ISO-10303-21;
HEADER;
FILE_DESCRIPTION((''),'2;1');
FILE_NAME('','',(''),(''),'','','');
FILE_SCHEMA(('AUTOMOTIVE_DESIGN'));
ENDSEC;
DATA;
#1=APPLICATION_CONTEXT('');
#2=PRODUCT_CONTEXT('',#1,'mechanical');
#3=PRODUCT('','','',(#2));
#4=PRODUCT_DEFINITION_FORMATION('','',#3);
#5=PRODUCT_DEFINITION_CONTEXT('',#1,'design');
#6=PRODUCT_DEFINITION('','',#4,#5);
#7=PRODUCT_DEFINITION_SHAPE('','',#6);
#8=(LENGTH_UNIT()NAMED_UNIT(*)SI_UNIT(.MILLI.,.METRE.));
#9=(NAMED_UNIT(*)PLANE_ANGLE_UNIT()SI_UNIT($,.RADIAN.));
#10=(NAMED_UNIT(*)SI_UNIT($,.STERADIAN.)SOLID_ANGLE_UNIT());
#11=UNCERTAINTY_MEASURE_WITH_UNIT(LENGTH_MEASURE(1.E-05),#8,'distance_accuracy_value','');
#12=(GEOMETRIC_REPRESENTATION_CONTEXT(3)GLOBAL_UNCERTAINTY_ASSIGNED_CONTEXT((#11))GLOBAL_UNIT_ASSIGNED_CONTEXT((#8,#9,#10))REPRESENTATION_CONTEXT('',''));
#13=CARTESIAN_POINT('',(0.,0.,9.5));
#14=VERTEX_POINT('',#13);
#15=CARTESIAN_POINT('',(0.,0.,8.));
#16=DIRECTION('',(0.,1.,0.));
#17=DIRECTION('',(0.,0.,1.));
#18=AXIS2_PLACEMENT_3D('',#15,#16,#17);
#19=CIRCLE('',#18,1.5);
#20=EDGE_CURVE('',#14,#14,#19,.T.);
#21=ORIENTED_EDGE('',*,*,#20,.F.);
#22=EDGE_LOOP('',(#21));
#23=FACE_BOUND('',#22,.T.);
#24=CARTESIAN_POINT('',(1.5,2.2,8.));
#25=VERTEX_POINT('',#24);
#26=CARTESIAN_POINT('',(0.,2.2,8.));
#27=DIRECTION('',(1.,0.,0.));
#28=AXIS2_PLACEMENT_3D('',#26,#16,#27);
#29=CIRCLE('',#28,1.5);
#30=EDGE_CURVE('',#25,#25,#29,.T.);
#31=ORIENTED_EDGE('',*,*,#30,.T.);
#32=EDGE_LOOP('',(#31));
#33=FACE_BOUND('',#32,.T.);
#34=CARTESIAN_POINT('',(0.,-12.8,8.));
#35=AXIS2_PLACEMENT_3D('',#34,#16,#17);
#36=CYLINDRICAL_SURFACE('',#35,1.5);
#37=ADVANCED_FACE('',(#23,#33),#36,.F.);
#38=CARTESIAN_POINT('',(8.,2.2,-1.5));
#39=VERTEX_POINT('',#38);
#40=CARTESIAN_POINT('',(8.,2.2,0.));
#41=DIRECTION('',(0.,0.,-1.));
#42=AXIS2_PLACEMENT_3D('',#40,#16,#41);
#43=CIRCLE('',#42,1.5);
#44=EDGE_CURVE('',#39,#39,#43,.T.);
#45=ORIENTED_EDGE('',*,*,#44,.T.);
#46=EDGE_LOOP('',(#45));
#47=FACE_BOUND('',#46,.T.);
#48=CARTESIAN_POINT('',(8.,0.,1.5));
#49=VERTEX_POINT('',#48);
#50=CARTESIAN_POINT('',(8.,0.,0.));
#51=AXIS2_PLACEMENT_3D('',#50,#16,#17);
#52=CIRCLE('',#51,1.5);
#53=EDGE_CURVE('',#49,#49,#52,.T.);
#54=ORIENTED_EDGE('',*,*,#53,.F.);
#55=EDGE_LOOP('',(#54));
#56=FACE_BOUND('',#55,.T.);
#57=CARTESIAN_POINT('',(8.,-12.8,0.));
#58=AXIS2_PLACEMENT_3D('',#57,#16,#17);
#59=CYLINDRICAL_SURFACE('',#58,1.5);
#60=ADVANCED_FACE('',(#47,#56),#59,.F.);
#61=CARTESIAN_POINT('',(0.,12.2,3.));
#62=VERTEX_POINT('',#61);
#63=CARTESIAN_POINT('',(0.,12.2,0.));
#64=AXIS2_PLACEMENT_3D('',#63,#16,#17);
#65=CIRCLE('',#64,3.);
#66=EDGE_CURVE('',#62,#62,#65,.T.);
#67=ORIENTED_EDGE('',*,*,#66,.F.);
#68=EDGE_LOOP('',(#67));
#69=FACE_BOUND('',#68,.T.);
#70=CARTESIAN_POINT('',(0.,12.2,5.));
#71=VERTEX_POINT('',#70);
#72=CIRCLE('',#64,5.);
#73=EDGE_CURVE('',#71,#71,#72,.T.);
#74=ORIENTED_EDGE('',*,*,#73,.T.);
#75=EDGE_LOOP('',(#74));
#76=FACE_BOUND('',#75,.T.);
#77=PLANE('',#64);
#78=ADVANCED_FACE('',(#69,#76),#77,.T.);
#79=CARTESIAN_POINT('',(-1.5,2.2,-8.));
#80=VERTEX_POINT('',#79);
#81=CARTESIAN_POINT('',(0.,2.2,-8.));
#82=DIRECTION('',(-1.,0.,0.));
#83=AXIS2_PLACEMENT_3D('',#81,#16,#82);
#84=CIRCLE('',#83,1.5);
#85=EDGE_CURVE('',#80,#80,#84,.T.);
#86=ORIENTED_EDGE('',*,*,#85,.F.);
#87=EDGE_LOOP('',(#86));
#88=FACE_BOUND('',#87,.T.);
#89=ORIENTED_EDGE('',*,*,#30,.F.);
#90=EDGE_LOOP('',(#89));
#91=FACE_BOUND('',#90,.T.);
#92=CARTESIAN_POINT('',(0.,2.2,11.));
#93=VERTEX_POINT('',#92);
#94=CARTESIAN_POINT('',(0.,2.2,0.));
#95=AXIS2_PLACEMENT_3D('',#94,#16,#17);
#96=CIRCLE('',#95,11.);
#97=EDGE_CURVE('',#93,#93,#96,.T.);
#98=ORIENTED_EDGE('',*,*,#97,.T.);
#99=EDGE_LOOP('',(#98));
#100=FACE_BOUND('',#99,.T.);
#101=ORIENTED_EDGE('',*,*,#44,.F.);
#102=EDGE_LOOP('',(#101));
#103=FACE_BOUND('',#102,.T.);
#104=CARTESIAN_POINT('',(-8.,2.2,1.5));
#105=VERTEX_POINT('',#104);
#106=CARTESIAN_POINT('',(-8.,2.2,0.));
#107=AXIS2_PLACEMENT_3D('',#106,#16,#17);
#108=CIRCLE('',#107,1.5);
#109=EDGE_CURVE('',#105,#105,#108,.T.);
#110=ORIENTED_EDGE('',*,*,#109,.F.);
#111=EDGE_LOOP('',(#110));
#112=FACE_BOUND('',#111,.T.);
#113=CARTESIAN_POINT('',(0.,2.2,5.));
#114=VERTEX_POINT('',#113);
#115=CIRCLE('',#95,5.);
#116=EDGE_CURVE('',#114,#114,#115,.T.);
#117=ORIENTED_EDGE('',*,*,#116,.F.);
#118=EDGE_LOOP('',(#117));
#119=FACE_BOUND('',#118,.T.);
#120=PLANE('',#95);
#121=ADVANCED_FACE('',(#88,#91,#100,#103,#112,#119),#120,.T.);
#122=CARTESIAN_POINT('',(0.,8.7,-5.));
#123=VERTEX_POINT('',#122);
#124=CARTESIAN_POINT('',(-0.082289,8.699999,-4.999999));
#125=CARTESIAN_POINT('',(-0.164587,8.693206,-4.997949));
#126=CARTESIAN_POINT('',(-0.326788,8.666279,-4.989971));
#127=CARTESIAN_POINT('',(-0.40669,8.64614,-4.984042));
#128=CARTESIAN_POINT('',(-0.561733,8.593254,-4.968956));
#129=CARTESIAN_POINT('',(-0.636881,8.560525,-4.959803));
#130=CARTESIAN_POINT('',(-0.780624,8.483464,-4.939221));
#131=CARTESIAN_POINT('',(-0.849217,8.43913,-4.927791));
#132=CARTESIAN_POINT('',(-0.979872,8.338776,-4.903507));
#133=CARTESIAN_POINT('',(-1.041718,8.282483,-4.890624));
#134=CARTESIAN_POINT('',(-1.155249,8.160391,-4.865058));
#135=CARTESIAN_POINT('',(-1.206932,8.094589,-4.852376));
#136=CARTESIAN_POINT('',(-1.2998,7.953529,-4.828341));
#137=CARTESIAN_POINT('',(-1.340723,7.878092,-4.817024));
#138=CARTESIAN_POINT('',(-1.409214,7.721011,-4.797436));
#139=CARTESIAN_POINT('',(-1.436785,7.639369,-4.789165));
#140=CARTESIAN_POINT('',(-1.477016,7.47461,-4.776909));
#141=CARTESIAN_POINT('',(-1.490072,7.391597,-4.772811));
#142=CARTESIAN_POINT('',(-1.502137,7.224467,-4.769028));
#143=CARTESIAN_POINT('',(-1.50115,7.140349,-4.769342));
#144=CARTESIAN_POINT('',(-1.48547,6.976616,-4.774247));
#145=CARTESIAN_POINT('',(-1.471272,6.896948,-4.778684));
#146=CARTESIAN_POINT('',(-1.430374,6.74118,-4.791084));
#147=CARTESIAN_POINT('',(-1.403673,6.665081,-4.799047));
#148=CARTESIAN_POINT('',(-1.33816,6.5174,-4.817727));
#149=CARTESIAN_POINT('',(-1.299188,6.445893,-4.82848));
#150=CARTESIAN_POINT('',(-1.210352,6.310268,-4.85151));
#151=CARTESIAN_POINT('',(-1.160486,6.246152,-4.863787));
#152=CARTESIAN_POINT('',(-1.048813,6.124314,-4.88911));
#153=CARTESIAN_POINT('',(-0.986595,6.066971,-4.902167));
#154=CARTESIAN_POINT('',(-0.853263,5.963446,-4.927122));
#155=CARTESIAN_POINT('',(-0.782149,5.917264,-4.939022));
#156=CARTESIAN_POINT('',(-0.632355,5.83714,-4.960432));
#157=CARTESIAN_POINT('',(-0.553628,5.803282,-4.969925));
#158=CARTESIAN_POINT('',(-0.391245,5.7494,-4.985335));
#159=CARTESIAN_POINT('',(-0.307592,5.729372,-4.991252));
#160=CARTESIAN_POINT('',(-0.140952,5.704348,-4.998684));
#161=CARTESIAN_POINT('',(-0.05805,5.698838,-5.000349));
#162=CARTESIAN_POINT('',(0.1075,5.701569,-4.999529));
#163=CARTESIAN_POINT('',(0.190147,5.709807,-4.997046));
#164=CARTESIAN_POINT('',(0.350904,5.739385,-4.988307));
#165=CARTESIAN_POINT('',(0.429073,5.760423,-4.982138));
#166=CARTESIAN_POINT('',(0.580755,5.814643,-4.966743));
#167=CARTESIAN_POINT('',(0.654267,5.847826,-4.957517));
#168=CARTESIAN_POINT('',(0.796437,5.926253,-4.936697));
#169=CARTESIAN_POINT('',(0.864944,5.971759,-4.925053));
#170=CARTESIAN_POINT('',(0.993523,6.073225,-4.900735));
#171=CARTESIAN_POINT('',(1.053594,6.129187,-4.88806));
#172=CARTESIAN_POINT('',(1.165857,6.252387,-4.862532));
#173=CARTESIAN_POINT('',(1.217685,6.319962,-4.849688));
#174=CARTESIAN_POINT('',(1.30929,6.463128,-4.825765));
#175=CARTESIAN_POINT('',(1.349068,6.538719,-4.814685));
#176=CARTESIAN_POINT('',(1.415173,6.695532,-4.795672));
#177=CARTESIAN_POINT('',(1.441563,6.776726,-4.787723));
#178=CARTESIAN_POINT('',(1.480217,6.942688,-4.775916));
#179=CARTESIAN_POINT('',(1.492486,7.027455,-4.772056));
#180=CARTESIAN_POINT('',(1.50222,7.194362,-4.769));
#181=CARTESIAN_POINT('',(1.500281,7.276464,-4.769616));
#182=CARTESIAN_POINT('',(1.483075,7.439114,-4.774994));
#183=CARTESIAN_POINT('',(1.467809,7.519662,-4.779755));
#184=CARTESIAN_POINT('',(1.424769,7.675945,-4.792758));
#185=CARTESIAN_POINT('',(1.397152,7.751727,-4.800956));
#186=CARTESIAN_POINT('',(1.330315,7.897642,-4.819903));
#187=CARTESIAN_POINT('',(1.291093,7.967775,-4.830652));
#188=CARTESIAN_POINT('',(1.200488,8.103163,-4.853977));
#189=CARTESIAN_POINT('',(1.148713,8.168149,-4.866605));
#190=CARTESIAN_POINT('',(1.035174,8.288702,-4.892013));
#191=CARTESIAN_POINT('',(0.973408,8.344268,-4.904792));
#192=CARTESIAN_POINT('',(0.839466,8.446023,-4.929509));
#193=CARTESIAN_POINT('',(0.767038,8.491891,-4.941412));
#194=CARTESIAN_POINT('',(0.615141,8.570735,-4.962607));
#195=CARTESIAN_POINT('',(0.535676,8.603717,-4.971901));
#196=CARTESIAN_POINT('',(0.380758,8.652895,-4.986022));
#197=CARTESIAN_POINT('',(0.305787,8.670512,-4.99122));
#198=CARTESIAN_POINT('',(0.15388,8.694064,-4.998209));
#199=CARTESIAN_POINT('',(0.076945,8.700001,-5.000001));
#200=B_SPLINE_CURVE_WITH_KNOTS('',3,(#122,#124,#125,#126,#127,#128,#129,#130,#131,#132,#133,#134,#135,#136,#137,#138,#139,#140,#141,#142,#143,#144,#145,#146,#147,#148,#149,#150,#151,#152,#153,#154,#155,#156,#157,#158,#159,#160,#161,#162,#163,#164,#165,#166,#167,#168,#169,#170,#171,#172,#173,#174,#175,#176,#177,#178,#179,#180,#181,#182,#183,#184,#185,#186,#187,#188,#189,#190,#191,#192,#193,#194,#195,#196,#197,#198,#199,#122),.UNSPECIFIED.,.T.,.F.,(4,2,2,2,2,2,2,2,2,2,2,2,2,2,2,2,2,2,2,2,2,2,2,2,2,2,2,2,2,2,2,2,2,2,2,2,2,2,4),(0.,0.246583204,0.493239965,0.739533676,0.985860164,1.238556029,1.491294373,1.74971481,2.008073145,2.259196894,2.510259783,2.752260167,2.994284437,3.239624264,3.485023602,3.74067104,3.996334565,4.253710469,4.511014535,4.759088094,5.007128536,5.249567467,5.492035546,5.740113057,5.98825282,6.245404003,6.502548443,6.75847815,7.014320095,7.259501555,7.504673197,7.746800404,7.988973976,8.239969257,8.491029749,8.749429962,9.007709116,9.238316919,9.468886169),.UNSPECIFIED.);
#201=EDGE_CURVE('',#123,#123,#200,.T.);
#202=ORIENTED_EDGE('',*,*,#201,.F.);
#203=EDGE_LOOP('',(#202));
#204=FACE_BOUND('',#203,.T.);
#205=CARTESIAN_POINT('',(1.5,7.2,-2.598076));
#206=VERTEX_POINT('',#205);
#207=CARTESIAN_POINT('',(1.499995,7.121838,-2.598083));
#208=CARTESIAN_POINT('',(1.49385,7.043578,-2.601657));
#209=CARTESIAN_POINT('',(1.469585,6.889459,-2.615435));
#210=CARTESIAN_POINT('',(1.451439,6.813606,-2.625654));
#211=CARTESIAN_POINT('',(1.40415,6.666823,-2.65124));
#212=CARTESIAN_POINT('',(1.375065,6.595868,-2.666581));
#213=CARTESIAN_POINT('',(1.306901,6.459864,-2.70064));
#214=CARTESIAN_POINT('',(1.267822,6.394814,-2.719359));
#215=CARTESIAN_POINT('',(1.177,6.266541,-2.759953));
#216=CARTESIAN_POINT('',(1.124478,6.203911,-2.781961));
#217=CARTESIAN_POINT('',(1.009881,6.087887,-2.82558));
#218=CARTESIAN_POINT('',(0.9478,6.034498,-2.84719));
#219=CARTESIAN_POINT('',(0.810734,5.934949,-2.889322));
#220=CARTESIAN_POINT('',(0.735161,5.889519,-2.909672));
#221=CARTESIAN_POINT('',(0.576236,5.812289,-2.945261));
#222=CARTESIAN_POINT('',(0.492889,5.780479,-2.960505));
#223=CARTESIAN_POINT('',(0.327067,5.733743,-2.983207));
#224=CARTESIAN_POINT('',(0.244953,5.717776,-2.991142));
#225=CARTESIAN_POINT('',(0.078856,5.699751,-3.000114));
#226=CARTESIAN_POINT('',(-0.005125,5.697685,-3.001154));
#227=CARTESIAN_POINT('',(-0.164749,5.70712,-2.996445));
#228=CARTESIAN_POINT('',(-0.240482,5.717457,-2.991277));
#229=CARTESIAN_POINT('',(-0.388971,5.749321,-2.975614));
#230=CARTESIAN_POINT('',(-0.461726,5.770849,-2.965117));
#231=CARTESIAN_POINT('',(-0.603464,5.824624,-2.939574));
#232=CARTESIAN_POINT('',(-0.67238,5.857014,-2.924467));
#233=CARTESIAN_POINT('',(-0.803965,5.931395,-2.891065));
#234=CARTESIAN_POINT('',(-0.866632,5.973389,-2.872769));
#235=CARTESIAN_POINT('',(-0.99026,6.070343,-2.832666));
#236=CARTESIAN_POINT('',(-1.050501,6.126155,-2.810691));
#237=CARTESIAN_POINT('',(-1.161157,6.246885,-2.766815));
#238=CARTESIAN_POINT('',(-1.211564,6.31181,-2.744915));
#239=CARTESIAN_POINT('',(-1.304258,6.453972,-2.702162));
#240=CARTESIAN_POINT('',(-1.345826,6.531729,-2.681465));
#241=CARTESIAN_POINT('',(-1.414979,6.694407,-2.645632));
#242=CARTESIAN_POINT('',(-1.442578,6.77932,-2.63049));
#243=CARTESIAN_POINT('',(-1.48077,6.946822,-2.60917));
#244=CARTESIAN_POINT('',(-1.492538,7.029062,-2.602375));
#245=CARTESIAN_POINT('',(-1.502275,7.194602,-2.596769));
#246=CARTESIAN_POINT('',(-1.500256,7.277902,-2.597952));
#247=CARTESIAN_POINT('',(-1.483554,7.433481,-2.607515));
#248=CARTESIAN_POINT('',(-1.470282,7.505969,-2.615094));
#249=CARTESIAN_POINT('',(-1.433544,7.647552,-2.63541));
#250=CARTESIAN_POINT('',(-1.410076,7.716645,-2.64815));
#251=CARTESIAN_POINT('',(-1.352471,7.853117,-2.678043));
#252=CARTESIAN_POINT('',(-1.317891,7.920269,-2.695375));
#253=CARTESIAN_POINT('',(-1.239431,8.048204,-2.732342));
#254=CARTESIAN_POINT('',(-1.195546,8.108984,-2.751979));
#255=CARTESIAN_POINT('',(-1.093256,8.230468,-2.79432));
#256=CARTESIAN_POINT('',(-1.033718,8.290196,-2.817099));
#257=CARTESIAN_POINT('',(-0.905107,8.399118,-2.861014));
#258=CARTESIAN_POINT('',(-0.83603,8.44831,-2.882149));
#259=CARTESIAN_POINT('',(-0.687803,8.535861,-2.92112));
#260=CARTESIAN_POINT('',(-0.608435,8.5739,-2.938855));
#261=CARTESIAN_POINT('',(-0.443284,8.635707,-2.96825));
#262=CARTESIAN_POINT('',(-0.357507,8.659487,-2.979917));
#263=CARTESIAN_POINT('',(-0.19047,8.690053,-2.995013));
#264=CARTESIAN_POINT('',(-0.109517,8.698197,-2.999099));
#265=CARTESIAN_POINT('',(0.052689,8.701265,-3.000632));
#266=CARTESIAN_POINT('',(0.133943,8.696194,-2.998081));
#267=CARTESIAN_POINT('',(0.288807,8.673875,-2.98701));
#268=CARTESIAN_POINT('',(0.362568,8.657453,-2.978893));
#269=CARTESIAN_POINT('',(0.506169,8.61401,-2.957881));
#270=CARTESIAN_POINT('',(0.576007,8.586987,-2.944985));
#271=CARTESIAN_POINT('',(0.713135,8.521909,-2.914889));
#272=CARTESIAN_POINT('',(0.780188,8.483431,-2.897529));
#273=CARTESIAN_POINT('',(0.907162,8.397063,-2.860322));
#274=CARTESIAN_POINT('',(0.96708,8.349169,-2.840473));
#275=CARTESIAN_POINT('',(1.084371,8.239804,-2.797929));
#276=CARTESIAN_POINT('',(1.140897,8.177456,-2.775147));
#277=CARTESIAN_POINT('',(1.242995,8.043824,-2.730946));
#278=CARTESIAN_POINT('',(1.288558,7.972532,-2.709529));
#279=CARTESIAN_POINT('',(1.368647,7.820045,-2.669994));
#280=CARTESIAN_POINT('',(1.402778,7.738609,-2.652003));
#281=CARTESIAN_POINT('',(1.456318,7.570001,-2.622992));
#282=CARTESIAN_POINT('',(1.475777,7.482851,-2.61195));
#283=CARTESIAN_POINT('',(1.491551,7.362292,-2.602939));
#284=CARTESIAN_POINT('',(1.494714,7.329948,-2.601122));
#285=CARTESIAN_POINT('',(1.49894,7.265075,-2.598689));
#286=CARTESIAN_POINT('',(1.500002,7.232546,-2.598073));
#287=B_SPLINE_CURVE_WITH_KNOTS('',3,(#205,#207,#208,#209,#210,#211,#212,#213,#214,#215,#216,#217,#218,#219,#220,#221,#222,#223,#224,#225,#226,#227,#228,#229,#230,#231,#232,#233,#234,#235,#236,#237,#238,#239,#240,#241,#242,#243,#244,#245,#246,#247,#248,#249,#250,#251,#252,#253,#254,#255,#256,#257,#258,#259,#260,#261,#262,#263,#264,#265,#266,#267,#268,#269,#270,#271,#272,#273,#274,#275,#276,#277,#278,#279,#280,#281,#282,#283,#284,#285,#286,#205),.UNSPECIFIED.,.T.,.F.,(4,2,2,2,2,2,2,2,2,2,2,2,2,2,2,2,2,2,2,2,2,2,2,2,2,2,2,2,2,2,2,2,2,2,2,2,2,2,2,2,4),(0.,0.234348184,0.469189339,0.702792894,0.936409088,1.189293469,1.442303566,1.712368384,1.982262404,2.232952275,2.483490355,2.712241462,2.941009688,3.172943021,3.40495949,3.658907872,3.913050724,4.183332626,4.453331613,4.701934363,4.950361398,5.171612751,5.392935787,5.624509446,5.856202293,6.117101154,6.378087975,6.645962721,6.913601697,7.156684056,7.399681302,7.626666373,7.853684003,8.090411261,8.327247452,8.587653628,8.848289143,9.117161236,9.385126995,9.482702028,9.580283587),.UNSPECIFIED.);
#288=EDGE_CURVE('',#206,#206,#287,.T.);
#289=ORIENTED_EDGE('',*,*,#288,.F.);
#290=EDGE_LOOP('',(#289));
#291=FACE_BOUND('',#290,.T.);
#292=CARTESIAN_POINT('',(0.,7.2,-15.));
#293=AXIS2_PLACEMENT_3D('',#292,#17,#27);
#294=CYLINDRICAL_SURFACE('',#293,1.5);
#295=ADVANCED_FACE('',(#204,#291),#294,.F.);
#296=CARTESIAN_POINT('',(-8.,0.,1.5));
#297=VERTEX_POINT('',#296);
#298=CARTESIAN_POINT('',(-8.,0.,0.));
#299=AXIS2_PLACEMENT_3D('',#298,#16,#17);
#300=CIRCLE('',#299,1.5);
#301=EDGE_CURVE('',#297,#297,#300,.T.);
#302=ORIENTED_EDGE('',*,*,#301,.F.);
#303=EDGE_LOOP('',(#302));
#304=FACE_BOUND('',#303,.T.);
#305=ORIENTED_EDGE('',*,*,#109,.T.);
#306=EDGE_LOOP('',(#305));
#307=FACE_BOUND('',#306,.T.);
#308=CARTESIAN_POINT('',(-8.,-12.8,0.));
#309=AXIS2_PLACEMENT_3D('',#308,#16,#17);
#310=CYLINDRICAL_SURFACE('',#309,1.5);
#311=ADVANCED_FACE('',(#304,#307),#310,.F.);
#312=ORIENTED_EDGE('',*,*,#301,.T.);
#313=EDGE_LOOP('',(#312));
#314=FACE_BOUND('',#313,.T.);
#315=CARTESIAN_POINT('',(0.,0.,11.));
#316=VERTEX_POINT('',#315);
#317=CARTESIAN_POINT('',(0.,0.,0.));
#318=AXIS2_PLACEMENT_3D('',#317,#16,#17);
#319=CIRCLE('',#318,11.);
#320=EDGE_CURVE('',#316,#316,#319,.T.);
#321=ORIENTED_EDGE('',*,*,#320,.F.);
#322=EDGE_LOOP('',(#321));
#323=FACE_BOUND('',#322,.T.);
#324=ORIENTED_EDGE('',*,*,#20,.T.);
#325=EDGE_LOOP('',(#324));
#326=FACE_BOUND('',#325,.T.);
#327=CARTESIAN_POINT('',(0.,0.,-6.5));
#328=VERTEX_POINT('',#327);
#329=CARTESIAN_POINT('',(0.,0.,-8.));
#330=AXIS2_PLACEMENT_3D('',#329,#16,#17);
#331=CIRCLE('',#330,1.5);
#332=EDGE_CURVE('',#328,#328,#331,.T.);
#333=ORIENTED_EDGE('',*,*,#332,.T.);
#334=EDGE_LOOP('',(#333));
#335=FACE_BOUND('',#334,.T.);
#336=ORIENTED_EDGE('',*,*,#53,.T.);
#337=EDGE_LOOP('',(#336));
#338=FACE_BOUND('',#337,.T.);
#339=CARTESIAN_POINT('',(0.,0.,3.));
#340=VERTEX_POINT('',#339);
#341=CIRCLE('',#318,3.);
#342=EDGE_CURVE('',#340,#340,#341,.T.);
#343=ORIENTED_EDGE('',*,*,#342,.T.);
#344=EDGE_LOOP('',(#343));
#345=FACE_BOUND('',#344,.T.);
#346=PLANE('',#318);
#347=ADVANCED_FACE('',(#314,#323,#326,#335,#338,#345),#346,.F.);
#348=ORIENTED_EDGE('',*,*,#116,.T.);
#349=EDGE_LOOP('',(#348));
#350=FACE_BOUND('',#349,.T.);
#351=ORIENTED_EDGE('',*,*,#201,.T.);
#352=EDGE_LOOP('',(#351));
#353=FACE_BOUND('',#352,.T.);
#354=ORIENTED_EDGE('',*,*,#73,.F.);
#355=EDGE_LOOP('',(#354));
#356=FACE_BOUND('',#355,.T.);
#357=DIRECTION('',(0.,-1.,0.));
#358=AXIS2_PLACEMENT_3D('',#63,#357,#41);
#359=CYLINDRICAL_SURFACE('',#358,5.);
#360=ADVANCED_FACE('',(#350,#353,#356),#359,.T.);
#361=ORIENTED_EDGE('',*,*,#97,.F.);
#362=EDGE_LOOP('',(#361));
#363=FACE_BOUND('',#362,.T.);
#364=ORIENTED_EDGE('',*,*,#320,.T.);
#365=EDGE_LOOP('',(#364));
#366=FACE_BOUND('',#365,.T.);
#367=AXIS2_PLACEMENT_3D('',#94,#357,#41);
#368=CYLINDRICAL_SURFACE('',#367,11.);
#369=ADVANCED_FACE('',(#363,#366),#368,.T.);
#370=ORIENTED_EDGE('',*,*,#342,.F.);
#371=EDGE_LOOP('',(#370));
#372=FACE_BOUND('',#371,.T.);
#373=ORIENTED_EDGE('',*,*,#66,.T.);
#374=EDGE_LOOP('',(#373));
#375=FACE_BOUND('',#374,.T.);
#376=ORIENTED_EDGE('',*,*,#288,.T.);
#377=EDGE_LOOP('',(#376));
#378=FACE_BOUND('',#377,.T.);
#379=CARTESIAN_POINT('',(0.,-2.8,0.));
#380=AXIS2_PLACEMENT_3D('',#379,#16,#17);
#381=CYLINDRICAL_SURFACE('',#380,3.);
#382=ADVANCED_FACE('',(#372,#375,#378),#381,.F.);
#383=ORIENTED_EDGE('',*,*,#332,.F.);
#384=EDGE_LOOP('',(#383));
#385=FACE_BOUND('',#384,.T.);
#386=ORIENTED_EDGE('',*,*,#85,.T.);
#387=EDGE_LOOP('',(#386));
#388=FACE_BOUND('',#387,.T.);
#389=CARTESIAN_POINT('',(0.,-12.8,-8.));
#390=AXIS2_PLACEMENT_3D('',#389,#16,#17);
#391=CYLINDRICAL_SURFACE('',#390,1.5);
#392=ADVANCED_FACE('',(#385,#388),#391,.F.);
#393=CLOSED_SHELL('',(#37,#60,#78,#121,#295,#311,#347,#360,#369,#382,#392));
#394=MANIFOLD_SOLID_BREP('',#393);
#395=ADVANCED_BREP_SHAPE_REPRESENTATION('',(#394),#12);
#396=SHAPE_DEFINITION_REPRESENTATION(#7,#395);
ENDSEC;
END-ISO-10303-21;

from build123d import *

# Parameters (mm, degrees)
SKETCH_1_R               = 11
EXTRUDE_1_DEPTH          = 2.2
SKETCH_2_R               = 5
EXTRUDE_2_DEPTH          = 10
SKETCH_3_R               = 3
CUT_EXTRUDE_1_DEPTH      = 15
SKETCH_4_R               = 1.5
CUT_EXTRUDE_2_DEPTH      = 15
SKETCH_5_R               = 1.5
CUT_EXTRUDE_3_DEPTH      = 15
PATTERN_CIRCULAR_1_COUNT = 4


with BuildPart() as part:
    # 草图1 → 凸台-拉伸1 (new body)
    with BuildSketch(Plane(origin=(0, 0, 0), x_dir=(1, 0, 0), z_dir=(0, 1, 0))):
        Circle(SKETCH_1_R)
    extrude(amount=EXTRUDE_1_DEPTH)

    # 草图2 → 凸台-拉伸2 (add)
    with BuildSketch(Plane(origin=(0, 2.2, 0), x_dir=(1, 0, 0), z_dir=(0, 1, 0))):
        Circle(SKETCH_2_R)
    extrude(amount=EXTRUDE_2_DEPTH)

    # 草图3 → 切除-拉伸1 (cut)
    with BuildSketch(Plane(origin=(0, 12.2, 0), x_dir=(1, 0, 0), z_dir=(0, 1, 0))):
        Circle(SKETCH_3_R)
    extrude(amount=-CUT_EXTRUDE_1_DEPTH, mode=Mode.SUBTRACT)

    # 草图4 → 切除-拉伸2 (cut)
    with BuildSketch(Plane.XY):
        with Locations((0, 7.2)):
            Circle(SKETCH_4_R)
    extrude(amount=-CUT_EXTRUDE_2_DEPTH, mode=Mode.SUBTRACT)

    # 草图5 → 切除-拉伸3 (cut)
    with BuildSketch(Plane(origin=(0, 2.2, 0), x_dir=(1, 0, 0), z_dir=(0, 1, 0))):
        with Locations((-8, 0)):
            Circle(SKETCH_5_R)
    cut_extrude_3 = extrude(amount=-CUT_EXTRUDE_3_DEPTH, mode=Mode.SUBTRACT)

    # 阵列(圆周)1: 切除-拉伸3 ×4 about axis
    pattern_circular_1_axis = Axis((0, 12.2, 0), (0, -1, 0))
    for i in range(1, PATTERN_CIRCULAR_1_COUNT):
        add(cut_extrude_3.rotate(pattern_circular_1_axis, i * 360 / PATTERN_CIRCULAR_1_COUNT), mode=Mode.SUBTRACT)


solid = part.part
